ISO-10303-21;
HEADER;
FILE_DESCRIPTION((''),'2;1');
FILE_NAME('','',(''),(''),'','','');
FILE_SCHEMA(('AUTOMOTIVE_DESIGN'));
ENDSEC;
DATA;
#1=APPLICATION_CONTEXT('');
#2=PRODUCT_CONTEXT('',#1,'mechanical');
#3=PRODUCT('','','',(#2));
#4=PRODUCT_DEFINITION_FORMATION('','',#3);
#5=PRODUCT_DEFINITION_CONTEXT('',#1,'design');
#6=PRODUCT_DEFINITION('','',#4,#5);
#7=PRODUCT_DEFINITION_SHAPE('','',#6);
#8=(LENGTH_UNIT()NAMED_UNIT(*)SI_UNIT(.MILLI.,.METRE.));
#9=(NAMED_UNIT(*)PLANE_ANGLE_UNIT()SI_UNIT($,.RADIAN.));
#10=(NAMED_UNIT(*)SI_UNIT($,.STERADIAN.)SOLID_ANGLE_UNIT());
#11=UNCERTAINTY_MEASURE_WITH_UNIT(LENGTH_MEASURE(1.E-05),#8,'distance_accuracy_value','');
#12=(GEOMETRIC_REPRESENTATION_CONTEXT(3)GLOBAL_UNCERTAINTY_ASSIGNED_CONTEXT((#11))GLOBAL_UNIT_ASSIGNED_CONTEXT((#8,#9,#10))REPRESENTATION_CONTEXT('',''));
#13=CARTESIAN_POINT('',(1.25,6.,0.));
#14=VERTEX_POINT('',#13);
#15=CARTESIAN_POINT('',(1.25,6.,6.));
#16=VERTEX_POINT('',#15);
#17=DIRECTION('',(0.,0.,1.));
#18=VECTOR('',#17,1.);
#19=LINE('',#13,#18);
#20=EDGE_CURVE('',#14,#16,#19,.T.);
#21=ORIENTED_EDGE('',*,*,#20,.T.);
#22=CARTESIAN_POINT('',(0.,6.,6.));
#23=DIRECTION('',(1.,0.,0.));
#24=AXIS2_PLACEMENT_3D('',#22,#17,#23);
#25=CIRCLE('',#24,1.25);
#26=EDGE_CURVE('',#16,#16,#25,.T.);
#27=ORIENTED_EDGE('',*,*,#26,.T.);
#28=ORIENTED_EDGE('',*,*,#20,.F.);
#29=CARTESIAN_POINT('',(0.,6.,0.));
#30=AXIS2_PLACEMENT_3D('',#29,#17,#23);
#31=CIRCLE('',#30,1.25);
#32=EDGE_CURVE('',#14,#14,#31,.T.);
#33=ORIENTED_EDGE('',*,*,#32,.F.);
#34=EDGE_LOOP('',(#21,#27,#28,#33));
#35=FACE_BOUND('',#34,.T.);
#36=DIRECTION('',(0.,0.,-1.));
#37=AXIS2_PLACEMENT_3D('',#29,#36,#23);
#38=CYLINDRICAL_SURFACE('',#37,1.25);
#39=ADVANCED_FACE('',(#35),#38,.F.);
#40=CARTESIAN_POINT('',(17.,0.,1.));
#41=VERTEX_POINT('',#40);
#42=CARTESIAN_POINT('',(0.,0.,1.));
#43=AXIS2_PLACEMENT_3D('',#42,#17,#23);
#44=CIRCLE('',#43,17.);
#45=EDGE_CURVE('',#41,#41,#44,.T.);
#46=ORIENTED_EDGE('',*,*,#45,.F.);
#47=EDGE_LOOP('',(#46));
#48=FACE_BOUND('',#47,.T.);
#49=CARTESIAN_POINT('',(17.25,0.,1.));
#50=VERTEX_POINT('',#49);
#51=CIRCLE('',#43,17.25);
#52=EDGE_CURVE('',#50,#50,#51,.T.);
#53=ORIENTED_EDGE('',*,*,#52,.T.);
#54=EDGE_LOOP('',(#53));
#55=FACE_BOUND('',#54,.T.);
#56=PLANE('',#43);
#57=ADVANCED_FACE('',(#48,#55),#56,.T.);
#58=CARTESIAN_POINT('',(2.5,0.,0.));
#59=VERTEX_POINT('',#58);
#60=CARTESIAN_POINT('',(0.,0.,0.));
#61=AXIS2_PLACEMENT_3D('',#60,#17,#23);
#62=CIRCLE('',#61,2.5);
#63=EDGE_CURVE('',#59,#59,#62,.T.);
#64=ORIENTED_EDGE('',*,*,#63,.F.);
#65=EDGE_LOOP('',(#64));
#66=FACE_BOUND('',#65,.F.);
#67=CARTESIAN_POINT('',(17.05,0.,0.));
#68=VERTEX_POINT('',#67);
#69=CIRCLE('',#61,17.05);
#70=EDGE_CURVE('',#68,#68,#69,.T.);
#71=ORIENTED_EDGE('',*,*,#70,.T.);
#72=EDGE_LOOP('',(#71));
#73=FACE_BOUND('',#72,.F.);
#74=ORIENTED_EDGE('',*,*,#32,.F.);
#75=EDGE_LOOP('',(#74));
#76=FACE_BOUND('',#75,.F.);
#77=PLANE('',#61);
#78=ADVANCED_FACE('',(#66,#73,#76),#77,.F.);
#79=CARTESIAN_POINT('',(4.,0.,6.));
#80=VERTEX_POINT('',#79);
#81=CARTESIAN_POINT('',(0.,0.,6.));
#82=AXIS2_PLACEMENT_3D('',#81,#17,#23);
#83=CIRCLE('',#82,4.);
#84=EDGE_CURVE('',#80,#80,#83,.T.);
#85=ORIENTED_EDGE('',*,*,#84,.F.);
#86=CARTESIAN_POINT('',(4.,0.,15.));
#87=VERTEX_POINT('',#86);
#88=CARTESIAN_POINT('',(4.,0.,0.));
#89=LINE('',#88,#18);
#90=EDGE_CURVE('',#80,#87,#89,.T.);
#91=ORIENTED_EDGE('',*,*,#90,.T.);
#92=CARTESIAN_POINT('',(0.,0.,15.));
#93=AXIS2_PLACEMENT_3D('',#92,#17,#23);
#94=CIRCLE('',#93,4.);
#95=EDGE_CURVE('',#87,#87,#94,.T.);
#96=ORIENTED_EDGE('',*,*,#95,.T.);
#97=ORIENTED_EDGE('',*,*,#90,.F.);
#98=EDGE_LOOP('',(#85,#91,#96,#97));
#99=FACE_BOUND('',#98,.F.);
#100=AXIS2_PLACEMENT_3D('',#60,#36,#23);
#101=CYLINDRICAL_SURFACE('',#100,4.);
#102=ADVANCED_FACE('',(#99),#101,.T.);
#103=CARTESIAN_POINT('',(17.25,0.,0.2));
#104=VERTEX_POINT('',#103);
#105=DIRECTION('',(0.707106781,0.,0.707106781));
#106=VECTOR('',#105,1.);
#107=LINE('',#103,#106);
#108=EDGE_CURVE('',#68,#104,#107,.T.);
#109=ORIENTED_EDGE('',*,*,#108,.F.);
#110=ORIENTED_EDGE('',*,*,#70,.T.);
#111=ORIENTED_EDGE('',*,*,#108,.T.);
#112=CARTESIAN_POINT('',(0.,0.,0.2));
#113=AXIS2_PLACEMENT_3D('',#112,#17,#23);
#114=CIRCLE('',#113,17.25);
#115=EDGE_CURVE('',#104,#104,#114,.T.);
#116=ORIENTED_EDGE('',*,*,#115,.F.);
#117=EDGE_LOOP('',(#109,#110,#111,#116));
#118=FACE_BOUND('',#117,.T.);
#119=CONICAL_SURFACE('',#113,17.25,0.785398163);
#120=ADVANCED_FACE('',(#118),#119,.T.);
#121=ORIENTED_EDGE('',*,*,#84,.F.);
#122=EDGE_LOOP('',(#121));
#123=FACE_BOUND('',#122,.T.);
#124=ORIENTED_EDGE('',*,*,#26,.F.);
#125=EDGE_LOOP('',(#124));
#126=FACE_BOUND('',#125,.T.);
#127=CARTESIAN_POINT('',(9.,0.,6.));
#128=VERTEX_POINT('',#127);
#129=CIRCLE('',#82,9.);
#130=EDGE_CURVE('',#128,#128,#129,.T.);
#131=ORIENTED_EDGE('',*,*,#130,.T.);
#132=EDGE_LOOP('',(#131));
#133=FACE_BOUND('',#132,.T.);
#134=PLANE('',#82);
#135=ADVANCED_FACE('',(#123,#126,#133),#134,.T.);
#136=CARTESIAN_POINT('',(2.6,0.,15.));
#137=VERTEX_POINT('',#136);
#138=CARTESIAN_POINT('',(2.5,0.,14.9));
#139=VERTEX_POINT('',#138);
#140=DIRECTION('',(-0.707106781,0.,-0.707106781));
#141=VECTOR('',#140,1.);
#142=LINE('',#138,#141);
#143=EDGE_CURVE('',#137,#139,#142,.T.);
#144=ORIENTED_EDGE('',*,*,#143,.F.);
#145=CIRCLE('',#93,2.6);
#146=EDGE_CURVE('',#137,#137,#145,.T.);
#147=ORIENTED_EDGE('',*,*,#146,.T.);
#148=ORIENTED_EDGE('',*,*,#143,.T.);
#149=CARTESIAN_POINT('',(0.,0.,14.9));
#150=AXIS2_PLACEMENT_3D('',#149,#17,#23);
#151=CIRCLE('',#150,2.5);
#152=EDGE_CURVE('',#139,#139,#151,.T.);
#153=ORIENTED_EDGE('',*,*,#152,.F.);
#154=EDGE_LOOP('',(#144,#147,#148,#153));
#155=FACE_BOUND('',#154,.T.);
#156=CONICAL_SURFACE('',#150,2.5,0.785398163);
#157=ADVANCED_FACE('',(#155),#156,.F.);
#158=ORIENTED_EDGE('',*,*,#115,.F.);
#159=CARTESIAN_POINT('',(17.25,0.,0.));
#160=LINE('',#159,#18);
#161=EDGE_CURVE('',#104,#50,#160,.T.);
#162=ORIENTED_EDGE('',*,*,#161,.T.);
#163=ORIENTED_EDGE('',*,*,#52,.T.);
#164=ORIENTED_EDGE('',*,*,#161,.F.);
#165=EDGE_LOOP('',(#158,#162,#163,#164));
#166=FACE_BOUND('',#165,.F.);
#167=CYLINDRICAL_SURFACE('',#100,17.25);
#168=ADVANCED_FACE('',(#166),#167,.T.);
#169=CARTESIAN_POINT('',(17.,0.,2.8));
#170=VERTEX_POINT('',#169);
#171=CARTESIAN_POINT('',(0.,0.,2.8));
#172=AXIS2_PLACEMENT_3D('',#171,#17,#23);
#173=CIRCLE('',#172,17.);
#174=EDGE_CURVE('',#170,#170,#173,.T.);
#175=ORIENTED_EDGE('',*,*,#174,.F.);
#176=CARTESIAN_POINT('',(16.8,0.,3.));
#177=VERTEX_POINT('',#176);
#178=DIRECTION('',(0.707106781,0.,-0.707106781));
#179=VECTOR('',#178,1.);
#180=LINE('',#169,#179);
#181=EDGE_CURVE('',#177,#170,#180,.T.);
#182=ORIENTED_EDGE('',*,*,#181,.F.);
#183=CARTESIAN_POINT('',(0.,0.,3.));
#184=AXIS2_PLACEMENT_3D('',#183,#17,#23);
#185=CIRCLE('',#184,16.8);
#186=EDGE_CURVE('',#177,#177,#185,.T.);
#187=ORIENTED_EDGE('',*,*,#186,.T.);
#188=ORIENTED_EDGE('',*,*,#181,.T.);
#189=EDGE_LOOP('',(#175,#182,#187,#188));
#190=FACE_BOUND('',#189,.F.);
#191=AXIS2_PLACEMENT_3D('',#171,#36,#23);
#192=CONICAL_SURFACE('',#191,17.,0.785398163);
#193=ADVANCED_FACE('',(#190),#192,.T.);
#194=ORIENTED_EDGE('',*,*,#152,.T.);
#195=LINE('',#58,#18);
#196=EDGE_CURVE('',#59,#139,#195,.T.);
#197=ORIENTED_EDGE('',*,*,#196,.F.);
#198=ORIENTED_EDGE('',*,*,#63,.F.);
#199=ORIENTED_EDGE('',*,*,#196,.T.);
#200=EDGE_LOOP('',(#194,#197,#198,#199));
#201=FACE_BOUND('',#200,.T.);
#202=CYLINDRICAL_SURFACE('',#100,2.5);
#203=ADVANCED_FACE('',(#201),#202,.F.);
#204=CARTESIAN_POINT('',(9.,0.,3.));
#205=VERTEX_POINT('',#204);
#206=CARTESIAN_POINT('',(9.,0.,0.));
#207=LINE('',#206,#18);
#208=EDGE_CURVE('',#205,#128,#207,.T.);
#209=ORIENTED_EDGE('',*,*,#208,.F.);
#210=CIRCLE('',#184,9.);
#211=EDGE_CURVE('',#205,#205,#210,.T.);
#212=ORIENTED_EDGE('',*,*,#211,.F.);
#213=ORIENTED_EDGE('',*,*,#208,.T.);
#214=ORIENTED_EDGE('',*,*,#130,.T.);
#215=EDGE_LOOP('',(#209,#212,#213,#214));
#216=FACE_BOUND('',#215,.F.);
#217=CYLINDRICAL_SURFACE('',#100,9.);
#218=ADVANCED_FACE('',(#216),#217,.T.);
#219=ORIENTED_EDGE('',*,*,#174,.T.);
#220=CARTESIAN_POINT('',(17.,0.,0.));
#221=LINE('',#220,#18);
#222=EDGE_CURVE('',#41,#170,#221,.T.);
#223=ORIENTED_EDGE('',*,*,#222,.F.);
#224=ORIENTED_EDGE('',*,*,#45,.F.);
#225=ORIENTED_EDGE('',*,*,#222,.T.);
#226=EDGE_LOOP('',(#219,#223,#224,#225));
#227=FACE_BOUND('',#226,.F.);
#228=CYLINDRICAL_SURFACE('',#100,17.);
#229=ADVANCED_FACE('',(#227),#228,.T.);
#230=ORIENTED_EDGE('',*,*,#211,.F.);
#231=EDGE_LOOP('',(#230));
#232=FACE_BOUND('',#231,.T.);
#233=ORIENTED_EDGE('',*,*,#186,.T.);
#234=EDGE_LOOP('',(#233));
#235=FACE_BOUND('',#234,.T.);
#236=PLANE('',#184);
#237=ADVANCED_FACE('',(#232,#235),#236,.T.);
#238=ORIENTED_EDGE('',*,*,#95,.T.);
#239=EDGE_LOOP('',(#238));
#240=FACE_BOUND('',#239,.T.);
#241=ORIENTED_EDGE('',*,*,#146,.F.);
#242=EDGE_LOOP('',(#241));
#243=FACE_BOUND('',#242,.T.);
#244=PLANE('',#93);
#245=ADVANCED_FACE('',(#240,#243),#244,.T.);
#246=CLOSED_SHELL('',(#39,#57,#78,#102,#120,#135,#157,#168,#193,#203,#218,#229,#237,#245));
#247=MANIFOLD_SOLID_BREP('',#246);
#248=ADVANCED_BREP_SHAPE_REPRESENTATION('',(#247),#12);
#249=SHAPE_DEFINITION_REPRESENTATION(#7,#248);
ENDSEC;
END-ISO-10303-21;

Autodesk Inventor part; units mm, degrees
ref_plane "YZ Plane" through (0, 0, 0) normal (1, 0, 0) x (0, 1, 0)
ref_plane "XZ Plane" through (0, 0, 0) normal (0, 1, 0) x (-1, 0, 0)
ref_plane "XY Plane" through (0, 0, 0) normal (0, 0, 1) x (1, 0, 0)
sketch "Sketch1" plane through (0, 0, 0) normal (0, 0, 1) x (1, 0, 0)
  circle A0 centre (0, 0) radius 17
  circle A1 centre (0, 0) radius 17.25
  circle A2 centre (0, 0) radius 4
  circle A3 centre (0, 0) radius 9
  circle A4 centre (0, 0) radius 2.5
  circle A5 centre (0, 6) radius 1.25
  dimension "d0" = 34
  dimension "d1" = 34.5
  dimension "d2" = 8
  dimension "d3" = 18
  dimension "d4" = 5
  dimension "d5" = 2.5
  dimension "d6" = 6
extrude "Extrusion1" add sketch "Sketch1" along normal blind 1 contours A1
extrude "Extrusion2" add sketch "Sketch1" along normal blind 3 contours A0
extrude "Extrusion3" add sketch "Sketch1" along normal blind 6 contours A3
extrude "Extrusion4" add sketch "Sketch1" along normal blind 15 contours A2
chamfer "Chamfer1" distance 0.2 angle 45 2 edges at (-17.25, 0, 0) (-17, 0, 3)
chamfer "Chamfer2" distance 0.1 angle 45 1 edges at (-2.5, 0, 15)
properties part number "HeatExchangePistonExhaust"
